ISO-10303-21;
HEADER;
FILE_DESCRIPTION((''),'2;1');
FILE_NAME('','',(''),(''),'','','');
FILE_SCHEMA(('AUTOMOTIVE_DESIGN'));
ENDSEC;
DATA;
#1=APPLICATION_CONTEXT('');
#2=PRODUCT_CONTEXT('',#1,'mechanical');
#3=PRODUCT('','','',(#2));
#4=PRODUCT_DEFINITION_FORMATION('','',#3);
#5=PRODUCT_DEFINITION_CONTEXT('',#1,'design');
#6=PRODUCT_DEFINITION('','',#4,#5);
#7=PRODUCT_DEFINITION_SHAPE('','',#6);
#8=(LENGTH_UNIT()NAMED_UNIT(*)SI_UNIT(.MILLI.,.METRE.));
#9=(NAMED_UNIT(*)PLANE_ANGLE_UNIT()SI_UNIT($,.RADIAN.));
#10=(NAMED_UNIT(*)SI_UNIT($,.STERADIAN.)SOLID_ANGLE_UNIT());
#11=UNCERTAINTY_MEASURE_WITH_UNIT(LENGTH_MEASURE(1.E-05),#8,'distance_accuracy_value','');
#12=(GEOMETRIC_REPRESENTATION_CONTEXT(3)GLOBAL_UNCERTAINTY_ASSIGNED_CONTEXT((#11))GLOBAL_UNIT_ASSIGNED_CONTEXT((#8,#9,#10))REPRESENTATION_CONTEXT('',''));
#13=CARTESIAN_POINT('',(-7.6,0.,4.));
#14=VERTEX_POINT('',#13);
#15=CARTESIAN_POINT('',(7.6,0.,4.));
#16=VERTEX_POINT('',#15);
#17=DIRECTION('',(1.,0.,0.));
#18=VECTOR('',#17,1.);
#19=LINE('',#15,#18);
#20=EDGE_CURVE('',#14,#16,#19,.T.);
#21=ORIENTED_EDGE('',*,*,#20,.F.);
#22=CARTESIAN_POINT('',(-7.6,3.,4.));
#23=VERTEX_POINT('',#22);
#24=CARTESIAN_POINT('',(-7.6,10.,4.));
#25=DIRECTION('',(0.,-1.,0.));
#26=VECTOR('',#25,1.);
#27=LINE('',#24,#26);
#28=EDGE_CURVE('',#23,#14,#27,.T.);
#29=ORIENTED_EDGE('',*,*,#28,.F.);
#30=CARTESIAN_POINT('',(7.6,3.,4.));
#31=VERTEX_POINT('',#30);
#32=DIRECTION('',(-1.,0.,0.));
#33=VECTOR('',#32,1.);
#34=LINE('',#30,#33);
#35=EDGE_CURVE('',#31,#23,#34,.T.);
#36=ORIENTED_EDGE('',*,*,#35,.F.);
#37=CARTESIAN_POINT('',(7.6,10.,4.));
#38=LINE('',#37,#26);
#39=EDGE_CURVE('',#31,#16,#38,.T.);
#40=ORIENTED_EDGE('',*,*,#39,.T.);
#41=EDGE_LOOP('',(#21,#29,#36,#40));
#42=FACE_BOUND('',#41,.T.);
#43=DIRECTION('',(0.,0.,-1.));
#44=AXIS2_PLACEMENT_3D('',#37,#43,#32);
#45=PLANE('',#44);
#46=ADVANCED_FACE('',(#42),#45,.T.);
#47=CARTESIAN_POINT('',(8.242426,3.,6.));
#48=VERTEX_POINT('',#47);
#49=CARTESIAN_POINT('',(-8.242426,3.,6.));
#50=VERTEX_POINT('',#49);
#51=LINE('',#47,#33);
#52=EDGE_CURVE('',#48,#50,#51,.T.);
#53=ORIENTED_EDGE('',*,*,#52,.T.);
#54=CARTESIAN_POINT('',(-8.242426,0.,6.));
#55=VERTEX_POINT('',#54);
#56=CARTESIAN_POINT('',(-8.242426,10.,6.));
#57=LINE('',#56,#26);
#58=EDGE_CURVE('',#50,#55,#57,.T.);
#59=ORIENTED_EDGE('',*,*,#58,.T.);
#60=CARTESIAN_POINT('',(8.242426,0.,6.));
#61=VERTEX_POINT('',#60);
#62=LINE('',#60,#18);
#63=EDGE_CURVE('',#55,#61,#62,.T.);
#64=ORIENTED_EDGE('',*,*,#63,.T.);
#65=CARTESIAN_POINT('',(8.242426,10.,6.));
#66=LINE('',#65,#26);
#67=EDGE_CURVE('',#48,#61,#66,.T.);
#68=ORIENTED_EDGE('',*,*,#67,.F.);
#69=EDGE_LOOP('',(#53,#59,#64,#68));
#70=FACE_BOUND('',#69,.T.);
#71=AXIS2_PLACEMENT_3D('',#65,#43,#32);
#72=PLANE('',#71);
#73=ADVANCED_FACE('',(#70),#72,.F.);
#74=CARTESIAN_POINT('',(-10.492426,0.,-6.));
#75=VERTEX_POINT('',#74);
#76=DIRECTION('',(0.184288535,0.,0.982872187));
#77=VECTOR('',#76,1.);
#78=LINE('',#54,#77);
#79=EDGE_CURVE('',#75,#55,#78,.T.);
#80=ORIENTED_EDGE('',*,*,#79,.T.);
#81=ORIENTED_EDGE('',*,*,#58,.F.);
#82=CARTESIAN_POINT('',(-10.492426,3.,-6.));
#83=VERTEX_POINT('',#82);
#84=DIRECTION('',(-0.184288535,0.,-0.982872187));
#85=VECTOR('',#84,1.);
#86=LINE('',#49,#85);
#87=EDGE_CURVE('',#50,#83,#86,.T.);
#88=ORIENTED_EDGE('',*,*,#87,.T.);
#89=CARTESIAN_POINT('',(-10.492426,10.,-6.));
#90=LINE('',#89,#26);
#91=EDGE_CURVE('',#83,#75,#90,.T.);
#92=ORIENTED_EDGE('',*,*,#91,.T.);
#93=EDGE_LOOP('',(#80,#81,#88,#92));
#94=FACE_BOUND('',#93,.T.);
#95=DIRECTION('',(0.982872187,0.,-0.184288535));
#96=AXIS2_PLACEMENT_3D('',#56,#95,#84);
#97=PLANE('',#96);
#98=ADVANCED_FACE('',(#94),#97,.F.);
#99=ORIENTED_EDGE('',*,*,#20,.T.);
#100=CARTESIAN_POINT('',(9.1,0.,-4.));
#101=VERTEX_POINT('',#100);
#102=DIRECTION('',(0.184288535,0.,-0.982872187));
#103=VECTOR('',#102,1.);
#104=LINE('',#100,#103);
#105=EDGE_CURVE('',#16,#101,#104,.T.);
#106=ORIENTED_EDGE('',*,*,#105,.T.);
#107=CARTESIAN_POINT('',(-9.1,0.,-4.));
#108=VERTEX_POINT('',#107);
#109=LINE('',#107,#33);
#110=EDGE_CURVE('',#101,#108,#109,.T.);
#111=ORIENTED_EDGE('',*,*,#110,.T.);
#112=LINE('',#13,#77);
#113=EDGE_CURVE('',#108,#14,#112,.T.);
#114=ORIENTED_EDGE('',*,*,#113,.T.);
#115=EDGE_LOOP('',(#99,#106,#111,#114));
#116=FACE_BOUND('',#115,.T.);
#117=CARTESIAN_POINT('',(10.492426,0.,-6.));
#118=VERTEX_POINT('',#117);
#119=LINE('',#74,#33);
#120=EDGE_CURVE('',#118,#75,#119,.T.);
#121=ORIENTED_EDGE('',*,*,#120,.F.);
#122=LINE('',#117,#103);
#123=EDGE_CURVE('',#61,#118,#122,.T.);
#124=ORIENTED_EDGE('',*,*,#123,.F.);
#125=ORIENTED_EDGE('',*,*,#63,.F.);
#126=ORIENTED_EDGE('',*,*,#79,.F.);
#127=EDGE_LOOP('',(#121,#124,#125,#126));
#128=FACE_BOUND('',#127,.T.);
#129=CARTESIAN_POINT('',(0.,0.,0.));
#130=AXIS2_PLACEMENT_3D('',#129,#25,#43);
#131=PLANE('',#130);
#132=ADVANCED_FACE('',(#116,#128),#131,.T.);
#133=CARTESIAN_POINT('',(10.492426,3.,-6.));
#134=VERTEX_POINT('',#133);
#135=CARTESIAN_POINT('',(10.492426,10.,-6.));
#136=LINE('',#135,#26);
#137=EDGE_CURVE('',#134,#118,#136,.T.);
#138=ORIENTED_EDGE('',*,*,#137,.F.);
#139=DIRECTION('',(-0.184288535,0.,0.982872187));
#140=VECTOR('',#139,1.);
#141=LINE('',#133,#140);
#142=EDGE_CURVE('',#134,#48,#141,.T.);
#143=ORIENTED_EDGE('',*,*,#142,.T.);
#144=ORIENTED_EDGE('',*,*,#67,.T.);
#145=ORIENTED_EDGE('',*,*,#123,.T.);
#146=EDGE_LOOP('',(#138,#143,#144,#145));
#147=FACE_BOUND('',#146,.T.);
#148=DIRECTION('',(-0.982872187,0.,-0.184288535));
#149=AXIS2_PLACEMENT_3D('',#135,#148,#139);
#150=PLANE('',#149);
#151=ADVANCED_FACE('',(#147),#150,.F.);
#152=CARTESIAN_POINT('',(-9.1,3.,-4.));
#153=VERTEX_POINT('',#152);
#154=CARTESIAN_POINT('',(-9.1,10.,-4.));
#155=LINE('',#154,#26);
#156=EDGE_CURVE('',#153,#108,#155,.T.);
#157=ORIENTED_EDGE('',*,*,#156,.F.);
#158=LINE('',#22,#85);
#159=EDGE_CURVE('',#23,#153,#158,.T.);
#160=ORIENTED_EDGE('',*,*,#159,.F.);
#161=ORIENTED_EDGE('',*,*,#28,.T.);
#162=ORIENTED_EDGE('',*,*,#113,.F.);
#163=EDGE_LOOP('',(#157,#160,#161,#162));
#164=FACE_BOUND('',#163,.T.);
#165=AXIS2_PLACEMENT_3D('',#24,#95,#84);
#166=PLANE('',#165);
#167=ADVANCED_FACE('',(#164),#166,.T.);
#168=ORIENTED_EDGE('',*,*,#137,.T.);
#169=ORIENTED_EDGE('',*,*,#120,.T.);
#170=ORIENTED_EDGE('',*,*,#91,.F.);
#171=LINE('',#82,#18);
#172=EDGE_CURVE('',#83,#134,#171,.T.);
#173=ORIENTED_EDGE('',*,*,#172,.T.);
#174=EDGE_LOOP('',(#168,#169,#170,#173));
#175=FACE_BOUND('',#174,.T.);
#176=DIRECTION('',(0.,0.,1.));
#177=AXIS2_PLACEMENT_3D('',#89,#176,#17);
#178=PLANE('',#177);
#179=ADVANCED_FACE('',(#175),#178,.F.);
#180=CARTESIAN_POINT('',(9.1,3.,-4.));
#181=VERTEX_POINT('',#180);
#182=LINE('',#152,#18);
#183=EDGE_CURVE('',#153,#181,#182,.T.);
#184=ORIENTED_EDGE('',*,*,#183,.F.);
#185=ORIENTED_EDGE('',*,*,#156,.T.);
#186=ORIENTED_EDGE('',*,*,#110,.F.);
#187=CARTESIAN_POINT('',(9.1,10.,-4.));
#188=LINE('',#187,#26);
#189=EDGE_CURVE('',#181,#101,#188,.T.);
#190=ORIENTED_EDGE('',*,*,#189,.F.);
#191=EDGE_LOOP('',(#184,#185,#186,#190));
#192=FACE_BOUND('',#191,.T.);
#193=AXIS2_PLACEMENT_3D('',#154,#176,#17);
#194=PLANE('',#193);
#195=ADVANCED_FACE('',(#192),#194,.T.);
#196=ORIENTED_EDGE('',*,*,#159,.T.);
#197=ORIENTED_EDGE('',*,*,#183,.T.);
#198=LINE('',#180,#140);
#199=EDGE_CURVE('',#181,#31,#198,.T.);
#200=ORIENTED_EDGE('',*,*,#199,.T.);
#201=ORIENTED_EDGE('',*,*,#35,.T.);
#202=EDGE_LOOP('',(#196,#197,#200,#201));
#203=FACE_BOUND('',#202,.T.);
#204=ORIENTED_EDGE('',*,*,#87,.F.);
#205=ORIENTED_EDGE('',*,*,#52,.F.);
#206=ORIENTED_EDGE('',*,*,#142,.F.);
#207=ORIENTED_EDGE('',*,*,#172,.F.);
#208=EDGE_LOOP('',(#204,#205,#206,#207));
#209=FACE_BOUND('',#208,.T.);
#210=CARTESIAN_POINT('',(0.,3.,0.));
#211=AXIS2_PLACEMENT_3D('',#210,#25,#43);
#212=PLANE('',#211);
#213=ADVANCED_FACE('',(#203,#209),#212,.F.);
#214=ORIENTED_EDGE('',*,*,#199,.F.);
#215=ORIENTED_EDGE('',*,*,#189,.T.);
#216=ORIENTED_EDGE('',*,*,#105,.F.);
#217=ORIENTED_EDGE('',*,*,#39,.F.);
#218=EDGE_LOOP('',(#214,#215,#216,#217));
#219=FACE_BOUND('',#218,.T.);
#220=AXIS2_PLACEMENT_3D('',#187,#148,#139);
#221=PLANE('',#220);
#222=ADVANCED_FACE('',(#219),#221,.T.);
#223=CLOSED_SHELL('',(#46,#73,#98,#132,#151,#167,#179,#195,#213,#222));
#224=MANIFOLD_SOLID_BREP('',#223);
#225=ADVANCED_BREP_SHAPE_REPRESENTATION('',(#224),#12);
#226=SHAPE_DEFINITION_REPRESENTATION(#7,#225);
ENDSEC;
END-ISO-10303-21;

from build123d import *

# Parameters (mm, degrees)
BOSS_EXTRUDE1_DEPTH = 10
BOSS_EXTRUDE2_DEPTH = 1
SKETCH3_W           = 10
SKETCH3_H           = 3
BOSS_EXTRUDE3_DEPTH = 3
FILLET1_R           = 1


with BuildPart() as part:
    # Sketch1 → Boss-Extrude1 (new body)
    with BuildSketch(Plane(origin=(0, 0, 0), x_dir=(1, 0, 0), z_dir=(0, 1, 0))):
        Polygon((-10.492426287, 6), (10.492426287, 6), (8.242426287, -6), (-8.242426287, -6), align=None)
        Polygon((-9.1, 4), (9.1, 4), (7.6, -4), (-7.6, -4), align=None, mode=Mode.SUBTRACT)
    extrude(amount=BOSS_EXTRUDE1_DEPTH)

    # Sketch2 → Boss-Extrude2 (add)
    with BuildSketch(Plane(origin=(0, 10, 0), x_dir=(1, 0, 0), z_dir=(0, 1, 0))):
        Polygon((-10.492426287, 6), (-8.242426287, -6), (8.242426287, -6), (10.492426287, 6), align=None)
    extrude(amount=BOSS_EXTRUDE2_DEPTH)

    # Sketch3 → Boss-Extrude3 (add)
    with BuildSketch(Plane(origin=(0, 11, 0), x_dir=(1, 0, 0), z_dir=(0, 1, 0))):
        with Locations((0, 7.5)):
            Rectangle(SKETCH3_W, SKETCH3_H)
        with Locations((0, -7.5)):
            Rectangle(SKETCH3_W, SKETCH3_H)
    extrude(amount=-BOSS_EXTRUDE3_DEPTH)

    # Fillet1
    fillet1_edges = [part.edges().sort_by_distance(p)[0] for p in [
        (-5, 9.5, 9),
        (-5, 8, 7.5),
        (5, 8, 7.5),
        (5, 9.5, 9),
        (5, 9.5, -9),
        (5, 8, -7.5),
        (-5, 8, -7.5),
        (-5, 9.5, -9),
        (0, 8, -9),
        (0, 8, 9),
        (-5, 9.5, 6),
        (5, 9.5, 6),
        (0, 8, 6),
        (5, 9.5, -6),
        (-5, 9.5, -6),
        (0, 8, -6),
    ]]
    fillet(fillet1_edges, radius=FILLET1_R)

    # Split1
    split(bisect_by=Plane(origin=(0, 3, 0), x_dir=(0, 0, -1), z_dir=(0, -1, 0)), keep=Keep.TOP)


solid = part.part
